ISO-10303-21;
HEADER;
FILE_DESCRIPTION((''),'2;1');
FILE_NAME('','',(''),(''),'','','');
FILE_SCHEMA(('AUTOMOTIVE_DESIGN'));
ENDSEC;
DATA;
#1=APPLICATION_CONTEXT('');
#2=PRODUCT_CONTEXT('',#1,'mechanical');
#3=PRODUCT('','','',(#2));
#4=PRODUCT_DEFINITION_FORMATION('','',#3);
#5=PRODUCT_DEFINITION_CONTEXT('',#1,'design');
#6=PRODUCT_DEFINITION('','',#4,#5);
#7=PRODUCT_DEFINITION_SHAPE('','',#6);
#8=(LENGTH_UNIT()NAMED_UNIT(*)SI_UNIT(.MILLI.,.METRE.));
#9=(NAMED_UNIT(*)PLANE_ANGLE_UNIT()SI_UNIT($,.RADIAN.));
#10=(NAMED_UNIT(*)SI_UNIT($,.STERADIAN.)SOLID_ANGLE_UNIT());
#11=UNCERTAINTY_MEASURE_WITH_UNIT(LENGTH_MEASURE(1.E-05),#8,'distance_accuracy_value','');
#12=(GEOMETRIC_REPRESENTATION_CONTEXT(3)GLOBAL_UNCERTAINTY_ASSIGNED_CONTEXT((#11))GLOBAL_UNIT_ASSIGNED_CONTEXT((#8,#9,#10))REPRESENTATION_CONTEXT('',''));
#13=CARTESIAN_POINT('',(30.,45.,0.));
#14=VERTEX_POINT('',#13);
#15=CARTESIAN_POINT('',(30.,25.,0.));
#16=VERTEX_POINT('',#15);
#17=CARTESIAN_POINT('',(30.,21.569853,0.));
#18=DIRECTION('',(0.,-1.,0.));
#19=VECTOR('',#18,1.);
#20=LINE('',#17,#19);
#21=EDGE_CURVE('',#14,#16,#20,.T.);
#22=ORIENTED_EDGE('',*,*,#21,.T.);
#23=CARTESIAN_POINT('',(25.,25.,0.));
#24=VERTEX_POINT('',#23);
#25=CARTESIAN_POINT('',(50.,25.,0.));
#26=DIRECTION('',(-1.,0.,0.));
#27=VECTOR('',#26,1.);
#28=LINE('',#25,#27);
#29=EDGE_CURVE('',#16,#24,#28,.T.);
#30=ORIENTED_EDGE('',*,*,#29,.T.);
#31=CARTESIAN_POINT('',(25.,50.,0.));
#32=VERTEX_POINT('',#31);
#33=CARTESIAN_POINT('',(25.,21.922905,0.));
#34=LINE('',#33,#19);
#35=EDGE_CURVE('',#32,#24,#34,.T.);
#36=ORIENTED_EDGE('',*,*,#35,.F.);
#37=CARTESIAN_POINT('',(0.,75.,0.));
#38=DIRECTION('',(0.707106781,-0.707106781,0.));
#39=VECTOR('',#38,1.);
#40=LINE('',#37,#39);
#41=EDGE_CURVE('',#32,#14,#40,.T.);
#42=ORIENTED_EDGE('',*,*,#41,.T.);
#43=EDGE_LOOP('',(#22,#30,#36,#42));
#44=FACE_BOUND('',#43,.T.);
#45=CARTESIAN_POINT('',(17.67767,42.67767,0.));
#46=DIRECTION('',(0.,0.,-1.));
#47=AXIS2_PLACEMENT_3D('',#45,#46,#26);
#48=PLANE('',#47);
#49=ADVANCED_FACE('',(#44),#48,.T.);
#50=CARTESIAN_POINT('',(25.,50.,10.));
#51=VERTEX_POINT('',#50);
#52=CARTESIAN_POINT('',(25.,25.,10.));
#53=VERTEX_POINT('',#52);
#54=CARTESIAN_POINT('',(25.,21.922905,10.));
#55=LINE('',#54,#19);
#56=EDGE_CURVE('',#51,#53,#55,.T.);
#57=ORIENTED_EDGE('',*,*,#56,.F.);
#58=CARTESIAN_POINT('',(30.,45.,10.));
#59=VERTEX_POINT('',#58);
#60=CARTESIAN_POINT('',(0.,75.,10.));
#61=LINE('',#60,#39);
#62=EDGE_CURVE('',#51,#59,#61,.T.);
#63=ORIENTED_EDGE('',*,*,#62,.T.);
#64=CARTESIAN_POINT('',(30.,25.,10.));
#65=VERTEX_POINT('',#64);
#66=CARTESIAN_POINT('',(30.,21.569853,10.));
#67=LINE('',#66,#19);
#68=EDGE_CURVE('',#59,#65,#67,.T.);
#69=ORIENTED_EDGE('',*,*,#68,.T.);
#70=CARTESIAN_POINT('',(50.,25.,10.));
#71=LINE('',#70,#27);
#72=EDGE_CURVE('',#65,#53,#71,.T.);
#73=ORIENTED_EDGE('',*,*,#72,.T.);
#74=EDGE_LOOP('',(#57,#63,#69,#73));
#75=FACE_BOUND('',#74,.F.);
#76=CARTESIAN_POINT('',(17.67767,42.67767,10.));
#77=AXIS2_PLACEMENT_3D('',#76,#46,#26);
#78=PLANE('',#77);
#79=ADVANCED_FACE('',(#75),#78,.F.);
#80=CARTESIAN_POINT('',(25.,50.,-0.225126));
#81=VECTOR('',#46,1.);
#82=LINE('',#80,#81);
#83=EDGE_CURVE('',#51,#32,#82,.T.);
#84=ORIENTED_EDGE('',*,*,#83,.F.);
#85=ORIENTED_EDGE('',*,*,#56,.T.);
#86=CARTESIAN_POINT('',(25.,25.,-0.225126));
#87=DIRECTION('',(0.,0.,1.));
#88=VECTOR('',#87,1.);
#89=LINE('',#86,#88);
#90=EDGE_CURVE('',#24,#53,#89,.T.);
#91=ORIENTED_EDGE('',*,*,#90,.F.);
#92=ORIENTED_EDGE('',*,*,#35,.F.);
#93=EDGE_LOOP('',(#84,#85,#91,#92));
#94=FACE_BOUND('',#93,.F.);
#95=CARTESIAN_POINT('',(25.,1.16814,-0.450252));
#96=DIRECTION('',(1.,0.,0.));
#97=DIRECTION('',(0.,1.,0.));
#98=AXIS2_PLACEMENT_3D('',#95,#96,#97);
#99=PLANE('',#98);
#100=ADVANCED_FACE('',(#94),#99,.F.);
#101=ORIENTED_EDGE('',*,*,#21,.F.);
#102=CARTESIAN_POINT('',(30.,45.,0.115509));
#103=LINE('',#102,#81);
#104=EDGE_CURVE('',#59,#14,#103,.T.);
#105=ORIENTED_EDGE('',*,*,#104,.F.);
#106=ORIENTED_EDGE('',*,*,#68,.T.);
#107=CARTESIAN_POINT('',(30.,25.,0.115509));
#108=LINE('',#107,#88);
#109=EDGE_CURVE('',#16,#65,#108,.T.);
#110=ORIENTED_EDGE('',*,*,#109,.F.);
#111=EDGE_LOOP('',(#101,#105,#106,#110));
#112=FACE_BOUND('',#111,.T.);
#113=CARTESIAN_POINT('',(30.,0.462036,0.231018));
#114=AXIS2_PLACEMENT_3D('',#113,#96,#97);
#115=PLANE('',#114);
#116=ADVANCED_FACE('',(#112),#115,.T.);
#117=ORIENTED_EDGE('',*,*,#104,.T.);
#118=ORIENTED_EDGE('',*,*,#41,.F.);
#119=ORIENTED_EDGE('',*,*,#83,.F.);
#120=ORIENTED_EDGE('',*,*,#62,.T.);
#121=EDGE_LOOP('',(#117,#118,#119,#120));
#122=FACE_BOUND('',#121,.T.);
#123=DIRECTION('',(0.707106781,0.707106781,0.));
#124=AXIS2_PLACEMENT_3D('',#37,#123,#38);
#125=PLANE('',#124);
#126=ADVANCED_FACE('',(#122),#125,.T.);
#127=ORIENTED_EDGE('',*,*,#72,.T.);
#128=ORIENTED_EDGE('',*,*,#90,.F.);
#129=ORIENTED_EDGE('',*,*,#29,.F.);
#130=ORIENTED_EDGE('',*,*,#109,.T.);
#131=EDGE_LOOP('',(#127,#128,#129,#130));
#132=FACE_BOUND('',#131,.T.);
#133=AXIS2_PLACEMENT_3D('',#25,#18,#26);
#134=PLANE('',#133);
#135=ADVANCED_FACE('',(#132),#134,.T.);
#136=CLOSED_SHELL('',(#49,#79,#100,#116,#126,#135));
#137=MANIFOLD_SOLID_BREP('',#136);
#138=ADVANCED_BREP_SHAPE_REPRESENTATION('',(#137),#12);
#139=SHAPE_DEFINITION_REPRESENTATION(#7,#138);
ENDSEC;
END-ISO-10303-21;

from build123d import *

# Parameters (mm, degrees)
SKETCH002_W  = 170.028106
SKETCH002_H  = 154.781021
PAD002_DEPTH = 30
SKETCH001_W  = 178.926751
SKETCH001_H  = 164.552085
PAD_DEPTH    = 25
PAD001_DEPTH = 10


with BuildPart() as pad002:
    # Sketch002 → Pad002 (new body)
    with BuildSketch(Plane.YZ):
        with Locations((0.462036, 0.231018)):
            Rectangle(SKETCH002_W, SKETCH002_H)
    extrude(amount=PAD002_DEPTH)


with BuildPart() as pad:
    # Sketch001 → Pad (new body)
    with BuildSketch(Plane.YZ):
        with Locations((1.16814, -0.450252)):
            Rectangle(SKETCH001_W, SKETCH001_H)
    extrude(amount=PAD_DEPTH)


with BuildPart() as common:
    # Sketch → Pad001 (new body)
    with BuildSketch(Plane.XY):
        Polygon((0, 25), (0, 75), (50, 25), align=None)
    extrude(amount=PAD001_DEPTH)

    # Cut: cut Pad
    add(pad.part, mode=Mode.SUBTRACT)

    # Common: intersect Pad002
    add(pad002.part, mode=Mode.INTERSECT)


solid = common.part
